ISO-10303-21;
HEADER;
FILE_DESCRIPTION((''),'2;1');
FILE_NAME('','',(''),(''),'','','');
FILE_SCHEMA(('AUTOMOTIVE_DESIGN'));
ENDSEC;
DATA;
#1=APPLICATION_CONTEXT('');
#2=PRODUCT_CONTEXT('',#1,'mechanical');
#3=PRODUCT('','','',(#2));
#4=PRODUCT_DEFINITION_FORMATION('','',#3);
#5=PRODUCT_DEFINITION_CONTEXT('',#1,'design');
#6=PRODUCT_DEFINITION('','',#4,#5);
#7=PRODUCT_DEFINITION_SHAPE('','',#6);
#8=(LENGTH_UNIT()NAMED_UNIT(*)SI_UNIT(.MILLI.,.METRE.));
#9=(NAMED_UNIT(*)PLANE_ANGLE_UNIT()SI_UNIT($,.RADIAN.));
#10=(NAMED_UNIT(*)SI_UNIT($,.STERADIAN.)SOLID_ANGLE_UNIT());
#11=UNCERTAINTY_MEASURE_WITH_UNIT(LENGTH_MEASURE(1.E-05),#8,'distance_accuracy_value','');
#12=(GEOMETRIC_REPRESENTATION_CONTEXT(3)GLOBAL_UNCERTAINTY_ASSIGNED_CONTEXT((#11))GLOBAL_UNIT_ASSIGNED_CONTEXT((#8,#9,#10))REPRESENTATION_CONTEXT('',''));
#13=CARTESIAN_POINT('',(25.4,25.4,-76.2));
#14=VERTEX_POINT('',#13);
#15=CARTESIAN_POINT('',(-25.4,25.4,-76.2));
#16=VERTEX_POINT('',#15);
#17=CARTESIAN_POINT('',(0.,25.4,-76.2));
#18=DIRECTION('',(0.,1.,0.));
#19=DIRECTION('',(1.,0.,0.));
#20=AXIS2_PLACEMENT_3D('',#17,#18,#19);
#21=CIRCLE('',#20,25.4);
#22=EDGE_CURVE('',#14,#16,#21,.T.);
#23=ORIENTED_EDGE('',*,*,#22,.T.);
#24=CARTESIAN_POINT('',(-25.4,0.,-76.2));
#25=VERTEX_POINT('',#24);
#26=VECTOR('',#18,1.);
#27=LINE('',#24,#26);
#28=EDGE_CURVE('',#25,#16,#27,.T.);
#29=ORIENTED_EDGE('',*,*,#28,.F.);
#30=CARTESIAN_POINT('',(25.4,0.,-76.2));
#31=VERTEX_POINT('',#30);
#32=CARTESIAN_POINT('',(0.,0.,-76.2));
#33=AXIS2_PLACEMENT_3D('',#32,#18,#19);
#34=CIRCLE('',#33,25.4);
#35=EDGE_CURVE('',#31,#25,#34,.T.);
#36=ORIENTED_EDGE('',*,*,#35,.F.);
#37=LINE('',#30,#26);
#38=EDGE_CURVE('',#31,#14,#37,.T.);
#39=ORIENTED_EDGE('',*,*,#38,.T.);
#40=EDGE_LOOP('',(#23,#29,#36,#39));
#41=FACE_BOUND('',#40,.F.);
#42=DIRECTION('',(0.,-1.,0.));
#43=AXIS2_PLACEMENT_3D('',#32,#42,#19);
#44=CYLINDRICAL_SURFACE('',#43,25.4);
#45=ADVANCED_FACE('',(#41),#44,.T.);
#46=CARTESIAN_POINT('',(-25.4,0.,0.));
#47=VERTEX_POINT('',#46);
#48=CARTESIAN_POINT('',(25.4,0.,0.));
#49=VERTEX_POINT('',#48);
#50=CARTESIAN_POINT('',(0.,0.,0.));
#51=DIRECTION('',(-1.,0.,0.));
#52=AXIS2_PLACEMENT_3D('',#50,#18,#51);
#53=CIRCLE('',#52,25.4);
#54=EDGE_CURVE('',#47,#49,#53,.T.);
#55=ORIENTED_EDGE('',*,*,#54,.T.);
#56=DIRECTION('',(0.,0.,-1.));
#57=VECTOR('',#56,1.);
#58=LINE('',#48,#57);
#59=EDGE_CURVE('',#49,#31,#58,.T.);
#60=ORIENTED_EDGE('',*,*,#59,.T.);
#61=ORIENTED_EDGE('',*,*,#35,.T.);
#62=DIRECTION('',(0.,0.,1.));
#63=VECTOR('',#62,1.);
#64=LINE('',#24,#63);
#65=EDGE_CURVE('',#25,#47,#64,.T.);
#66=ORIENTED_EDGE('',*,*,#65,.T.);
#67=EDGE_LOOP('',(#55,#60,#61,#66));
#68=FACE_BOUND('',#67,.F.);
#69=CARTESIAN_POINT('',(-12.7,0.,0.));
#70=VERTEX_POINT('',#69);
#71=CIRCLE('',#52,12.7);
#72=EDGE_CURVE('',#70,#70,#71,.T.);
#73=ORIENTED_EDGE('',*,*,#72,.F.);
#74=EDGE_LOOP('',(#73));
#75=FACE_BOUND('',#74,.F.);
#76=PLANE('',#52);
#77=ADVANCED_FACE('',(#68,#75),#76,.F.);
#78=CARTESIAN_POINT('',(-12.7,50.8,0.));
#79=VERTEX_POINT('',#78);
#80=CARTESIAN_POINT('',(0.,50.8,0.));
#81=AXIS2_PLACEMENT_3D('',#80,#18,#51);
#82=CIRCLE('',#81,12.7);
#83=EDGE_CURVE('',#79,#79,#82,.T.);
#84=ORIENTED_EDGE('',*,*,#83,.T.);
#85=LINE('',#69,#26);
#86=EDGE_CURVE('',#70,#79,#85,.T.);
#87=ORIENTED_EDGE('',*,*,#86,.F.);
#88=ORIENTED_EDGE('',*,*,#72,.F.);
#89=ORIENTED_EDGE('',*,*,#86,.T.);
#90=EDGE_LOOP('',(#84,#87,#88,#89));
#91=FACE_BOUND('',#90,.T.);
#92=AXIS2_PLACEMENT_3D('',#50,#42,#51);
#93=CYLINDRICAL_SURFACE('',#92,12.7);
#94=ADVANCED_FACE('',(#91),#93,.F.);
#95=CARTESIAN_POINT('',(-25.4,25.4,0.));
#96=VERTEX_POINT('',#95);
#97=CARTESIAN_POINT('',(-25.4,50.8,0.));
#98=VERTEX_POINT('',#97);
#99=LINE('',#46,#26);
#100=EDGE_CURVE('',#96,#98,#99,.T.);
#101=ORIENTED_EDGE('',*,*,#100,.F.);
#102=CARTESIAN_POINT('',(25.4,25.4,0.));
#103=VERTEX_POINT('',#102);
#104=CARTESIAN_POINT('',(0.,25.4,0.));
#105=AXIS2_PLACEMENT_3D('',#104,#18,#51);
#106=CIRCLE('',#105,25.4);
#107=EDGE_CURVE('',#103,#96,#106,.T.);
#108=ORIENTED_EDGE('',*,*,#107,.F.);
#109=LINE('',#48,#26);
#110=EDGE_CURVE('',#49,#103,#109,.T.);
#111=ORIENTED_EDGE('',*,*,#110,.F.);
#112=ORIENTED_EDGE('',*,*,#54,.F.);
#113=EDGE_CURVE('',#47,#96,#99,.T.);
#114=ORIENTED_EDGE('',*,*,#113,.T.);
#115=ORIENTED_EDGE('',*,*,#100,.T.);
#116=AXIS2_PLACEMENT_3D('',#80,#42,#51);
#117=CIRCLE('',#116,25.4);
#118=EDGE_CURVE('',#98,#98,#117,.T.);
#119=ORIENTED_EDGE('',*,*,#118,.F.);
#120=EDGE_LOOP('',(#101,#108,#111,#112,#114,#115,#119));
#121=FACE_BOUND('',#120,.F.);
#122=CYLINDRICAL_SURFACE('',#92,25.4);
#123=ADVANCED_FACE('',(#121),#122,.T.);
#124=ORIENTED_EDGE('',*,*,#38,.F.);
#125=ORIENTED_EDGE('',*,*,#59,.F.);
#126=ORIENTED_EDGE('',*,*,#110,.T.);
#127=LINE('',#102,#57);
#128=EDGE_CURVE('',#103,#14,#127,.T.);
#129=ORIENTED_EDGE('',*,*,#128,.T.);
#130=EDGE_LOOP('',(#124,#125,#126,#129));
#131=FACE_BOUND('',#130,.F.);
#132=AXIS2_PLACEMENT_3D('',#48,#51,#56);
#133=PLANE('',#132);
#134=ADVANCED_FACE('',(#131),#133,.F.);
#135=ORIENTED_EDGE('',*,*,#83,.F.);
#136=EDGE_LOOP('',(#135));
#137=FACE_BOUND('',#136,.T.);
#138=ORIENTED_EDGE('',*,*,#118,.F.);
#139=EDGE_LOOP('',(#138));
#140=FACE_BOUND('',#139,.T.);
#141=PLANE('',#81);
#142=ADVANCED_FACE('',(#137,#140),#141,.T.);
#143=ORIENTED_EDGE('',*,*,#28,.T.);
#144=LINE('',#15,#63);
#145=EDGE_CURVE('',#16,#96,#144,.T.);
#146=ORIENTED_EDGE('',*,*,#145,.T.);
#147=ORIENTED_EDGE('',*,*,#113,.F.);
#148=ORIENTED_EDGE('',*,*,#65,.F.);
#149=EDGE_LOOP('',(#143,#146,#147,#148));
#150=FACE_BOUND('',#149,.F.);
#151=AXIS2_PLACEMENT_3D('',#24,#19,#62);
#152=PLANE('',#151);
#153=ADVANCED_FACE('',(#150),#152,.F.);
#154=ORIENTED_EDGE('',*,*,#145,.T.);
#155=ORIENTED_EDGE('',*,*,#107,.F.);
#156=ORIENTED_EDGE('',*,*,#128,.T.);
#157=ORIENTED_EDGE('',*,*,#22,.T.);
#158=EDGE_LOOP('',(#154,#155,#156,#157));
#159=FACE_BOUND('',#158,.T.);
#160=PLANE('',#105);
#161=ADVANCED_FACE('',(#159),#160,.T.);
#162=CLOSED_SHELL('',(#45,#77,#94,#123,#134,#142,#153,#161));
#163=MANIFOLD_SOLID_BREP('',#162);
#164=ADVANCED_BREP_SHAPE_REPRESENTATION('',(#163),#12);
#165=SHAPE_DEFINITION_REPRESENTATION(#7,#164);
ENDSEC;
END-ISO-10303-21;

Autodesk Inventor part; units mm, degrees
ref_plane "YZ Plane" through (0, 0, 0) normal (1, 0, 0) x (0, 1, 0)
ref_plane "XZ Plane" through (0, 0, 0) normal (0, 1, 0) x (-1, 0, 0)
ref_plane "XY Plane" through (0, 0, 0) normal (0, 0, 1) x (1, 0, 0)
sketch "Sketch1" plane through (0, 0, 0) normal (0, 1, 0) x (-1, 0, 0)
  circle A0 centre (0, 0) radius 25.4
  line L0 (-25.4, 0) -> (-25.4, -76.2)
  line L1 (25.4, -76.2) -> (25.4, 0)
  arc A1 (-25.4, -76.2) -> (25.4, -76.2) centre (0, -76.2) ccw
  circle A2 centre (0, 0) radius 12.7
  dimension "d0" = 50.8
  dimension "d1" = 76.2
  dimension "d2" = 50.8
  dimension "d3" = 25.4
extrude "Extrusion1" add sketch "Sketch1" along normal blind 25.4 contours L1 A1 L0 A0
extrude "Extrusion2" add sketch "Sketch1" along normal blind 50.8 contours A0
properties part number "10-18-19 D"
